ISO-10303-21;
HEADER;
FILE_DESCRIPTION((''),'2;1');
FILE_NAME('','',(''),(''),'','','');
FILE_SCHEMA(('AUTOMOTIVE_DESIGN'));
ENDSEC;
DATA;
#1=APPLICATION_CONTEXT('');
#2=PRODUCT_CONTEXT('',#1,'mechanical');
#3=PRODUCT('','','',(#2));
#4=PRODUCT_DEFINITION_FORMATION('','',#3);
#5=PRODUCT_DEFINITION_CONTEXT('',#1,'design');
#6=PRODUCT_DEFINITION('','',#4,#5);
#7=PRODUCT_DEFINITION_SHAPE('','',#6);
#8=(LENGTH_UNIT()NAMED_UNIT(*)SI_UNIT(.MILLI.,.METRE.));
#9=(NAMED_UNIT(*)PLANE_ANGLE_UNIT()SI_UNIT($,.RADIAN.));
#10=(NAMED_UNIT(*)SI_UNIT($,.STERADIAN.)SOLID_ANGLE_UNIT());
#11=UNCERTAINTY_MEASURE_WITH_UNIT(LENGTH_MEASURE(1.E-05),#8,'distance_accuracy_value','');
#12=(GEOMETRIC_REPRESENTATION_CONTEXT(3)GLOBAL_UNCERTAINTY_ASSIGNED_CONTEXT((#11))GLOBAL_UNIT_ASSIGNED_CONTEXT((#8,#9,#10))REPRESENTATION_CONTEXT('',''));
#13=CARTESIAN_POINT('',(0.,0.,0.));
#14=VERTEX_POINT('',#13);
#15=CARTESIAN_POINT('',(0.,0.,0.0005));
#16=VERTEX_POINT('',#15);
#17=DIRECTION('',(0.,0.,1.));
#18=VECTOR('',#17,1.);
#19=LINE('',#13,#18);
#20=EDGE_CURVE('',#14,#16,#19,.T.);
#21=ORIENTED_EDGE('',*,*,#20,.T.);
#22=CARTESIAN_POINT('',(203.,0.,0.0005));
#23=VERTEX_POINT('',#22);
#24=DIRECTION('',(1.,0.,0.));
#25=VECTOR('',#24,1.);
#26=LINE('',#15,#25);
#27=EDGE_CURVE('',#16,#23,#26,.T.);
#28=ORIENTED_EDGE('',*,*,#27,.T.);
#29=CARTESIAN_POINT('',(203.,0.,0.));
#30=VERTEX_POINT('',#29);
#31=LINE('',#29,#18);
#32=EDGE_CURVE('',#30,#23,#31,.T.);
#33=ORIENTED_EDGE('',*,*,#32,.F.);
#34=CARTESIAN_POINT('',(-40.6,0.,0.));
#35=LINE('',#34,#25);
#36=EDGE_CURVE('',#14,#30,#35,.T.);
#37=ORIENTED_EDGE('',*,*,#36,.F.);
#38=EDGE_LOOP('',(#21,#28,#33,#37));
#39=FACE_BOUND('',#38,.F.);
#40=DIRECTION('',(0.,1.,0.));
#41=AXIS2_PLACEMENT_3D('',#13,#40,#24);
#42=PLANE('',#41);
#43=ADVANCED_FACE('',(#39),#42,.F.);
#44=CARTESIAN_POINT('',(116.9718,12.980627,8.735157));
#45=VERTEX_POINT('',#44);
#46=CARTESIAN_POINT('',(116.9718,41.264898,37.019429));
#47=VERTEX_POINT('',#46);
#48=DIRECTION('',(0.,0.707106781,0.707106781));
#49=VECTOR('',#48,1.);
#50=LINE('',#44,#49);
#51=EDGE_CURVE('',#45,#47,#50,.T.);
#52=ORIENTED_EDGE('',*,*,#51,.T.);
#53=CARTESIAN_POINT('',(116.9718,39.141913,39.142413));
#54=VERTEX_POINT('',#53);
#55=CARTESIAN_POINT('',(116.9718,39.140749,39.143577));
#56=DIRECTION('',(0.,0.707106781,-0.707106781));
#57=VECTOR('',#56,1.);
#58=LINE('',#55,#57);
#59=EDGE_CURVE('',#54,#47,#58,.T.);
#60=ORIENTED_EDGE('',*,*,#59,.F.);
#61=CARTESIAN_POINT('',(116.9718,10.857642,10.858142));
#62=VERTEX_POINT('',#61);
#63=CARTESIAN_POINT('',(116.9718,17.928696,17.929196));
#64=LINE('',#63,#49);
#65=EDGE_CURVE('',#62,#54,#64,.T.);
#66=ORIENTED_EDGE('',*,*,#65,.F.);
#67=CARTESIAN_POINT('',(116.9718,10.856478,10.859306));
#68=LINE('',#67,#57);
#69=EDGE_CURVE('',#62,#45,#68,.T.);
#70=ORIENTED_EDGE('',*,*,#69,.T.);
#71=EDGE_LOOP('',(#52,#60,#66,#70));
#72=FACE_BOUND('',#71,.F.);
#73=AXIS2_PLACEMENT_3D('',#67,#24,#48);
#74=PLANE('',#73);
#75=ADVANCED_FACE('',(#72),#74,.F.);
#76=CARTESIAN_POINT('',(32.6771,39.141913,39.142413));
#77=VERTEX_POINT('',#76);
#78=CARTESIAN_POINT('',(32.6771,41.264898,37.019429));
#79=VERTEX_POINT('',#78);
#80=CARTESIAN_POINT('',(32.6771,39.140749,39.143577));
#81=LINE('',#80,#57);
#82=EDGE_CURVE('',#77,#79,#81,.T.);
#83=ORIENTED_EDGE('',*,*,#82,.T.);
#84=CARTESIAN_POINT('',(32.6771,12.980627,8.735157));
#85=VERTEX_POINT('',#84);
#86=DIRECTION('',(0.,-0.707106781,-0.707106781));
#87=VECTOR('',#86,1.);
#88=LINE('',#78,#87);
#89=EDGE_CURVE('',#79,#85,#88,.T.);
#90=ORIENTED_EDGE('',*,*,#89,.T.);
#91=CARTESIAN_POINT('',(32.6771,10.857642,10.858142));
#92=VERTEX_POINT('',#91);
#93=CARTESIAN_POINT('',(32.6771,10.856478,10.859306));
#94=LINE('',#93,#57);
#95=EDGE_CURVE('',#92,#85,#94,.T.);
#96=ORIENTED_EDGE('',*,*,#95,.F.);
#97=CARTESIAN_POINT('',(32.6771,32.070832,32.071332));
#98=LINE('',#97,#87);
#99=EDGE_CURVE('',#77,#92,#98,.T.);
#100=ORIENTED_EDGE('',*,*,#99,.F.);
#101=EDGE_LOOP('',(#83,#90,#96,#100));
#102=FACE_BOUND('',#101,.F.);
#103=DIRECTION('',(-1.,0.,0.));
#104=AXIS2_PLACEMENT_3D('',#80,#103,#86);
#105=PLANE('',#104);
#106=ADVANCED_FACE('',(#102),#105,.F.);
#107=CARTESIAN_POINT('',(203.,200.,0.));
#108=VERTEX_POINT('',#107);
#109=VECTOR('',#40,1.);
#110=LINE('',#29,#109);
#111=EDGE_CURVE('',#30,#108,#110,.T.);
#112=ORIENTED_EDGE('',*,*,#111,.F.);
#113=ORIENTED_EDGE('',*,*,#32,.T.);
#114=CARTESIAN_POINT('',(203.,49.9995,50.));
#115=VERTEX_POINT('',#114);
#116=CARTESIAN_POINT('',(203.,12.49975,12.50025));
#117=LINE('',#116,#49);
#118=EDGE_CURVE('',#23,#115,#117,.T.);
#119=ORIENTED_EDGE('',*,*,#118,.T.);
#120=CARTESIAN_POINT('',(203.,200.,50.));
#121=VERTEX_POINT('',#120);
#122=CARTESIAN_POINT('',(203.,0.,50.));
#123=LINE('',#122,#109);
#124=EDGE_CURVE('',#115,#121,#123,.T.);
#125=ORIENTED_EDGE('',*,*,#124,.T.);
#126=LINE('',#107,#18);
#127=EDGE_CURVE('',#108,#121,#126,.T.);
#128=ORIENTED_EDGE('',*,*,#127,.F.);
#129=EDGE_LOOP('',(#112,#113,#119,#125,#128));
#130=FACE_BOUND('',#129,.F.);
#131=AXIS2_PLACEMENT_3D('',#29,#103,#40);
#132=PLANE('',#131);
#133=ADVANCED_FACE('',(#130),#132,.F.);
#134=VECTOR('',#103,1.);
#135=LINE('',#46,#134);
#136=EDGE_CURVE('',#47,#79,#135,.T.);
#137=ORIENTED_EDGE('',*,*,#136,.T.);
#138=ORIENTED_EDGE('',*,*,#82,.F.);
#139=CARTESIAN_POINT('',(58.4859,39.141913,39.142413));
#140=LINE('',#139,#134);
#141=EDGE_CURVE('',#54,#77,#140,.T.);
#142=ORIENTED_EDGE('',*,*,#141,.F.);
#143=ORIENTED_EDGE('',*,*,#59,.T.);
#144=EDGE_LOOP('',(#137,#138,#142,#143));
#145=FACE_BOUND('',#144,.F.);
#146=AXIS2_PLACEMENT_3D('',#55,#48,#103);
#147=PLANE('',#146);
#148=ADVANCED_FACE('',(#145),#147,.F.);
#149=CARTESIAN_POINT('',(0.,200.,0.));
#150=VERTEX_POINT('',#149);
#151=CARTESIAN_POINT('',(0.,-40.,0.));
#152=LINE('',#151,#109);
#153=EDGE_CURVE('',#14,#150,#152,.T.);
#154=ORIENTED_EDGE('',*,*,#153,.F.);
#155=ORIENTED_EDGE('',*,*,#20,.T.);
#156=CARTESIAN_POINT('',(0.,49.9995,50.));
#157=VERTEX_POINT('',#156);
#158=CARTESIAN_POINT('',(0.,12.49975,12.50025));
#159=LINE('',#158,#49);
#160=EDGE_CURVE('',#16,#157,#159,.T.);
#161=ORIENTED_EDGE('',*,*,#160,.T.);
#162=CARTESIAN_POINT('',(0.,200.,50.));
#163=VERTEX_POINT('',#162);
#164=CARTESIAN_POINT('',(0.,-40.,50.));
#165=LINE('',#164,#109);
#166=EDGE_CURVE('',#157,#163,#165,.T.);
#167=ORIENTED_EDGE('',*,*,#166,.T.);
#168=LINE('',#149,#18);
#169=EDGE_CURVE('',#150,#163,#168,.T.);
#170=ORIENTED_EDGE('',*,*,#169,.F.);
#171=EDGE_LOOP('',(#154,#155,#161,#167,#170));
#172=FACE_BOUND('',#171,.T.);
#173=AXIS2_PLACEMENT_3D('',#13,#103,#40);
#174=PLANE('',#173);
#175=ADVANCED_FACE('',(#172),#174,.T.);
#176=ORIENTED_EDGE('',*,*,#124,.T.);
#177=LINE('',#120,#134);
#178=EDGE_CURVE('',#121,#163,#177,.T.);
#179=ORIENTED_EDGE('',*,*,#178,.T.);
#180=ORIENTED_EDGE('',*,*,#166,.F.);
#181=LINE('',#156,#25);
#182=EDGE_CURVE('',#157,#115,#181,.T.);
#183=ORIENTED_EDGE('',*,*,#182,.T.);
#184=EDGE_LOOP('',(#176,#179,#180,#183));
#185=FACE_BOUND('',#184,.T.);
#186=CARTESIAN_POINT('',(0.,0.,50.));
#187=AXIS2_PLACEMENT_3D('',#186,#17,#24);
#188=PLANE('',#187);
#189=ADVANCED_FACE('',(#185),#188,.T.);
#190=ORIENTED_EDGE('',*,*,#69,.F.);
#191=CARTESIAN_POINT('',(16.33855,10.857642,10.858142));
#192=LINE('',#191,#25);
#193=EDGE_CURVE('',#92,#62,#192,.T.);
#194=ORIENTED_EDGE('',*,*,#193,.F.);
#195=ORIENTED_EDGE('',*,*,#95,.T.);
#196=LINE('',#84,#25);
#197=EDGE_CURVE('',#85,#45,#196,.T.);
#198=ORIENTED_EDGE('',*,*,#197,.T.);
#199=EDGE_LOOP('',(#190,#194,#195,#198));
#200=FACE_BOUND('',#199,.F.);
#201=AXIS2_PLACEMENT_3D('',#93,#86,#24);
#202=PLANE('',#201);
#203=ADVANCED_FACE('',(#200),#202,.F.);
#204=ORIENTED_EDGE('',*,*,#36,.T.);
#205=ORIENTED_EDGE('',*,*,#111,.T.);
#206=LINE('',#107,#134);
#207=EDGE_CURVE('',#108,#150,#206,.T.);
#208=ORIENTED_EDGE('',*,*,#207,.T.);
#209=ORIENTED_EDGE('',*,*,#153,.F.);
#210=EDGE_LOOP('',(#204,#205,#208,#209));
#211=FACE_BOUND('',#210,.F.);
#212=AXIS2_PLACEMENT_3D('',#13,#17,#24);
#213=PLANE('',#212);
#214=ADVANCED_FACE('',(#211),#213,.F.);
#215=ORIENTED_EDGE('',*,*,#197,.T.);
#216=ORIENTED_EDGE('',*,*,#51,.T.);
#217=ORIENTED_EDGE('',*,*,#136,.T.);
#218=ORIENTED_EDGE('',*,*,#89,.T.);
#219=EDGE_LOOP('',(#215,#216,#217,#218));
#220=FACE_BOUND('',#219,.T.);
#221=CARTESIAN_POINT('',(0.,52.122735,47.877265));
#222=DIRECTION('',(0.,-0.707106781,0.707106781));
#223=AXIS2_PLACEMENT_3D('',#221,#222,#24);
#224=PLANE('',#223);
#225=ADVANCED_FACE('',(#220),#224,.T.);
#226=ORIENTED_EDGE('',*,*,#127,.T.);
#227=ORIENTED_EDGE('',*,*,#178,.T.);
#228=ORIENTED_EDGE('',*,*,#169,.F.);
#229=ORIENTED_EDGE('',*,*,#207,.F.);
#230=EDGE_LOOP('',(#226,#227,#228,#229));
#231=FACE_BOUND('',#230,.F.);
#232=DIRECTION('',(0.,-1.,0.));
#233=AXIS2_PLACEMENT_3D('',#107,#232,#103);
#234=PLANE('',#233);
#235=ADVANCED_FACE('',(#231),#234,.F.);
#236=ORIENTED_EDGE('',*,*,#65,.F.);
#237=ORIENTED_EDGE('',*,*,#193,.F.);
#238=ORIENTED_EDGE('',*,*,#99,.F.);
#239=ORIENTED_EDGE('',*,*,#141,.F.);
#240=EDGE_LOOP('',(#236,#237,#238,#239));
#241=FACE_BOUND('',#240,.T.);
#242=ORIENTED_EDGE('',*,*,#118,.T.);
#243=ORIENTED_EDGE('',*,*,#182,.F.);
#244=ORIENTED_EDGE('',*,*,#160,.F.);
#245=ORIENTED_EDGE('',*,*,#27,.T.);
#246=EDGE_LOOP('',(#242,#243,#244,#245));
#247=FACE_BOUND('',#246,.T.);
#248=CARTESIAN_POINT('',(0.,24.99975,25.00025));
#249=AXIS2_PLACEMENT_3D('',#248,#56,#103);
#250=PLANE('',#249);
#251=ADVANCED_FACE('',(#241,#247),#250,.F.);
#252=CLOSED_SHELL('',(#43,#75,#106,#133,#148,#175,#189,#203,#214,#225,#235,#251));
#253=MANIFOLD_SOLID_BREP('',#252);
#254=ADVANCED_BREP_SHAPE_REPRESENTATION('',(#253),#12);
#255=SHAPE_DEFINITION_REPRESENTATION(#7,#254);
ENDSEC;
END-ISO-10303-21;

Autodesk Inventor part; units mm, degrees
ref_plane "YZ Plane" through (0, 0, 0) normal (1, 0, 0) x (0, 1, 0)
ref_plane "XZ Plane" through (0, 0, 0) normal (0, 1, 0) x (-1, 0, 0)
ref_plane "XY Plane" through (0, 0, 0) normal (0, 0, 1) x (1, 0, 0)
sketch "Sketch1" plane through (0, 0, 0) normal (0, 0, 1) x (1, 0, 0)
  line L0 (-40.6, 0) -> (243.6, 0) projected
  line L1 (0, -40) -> (0, 240) projected
  line L2 (0, 0) -> (203, 0)
  line L3 (203, 0) -> (203, 200)
  line L4 (203, 200) -> (0, 200)
  line L5 (0, 200) -> (0, 0)
  dimension "d0" = 203
  dimension "d1" = 200
extrude "Extrusion1" add sketch "Sketch1" along normal blind 50
chamfer "Chamfer1" distance 50 angle 45 1 edges at (101.5, 0, 50)
sketch "Sketch4" plane through (0, 50, 50) normal (0, -0.7071, 0.7071) x (1, 0, 0)
  line L0 (32.6771, -55.3553) -> (116.9718, -55.3553)
  line L1 (116.9718, -55.3553) -> (116.9718, -15.3553)
  line L2 (116.9718, -15.3553) -> (32.6771, -15.3553)
  line L3 (32.6771, -15.3553) -> (32.6771, -55.3553)
extrude "Extrusion4" cut sketch "Sketch4" against normal blind 3
properties part number "hotbody"
